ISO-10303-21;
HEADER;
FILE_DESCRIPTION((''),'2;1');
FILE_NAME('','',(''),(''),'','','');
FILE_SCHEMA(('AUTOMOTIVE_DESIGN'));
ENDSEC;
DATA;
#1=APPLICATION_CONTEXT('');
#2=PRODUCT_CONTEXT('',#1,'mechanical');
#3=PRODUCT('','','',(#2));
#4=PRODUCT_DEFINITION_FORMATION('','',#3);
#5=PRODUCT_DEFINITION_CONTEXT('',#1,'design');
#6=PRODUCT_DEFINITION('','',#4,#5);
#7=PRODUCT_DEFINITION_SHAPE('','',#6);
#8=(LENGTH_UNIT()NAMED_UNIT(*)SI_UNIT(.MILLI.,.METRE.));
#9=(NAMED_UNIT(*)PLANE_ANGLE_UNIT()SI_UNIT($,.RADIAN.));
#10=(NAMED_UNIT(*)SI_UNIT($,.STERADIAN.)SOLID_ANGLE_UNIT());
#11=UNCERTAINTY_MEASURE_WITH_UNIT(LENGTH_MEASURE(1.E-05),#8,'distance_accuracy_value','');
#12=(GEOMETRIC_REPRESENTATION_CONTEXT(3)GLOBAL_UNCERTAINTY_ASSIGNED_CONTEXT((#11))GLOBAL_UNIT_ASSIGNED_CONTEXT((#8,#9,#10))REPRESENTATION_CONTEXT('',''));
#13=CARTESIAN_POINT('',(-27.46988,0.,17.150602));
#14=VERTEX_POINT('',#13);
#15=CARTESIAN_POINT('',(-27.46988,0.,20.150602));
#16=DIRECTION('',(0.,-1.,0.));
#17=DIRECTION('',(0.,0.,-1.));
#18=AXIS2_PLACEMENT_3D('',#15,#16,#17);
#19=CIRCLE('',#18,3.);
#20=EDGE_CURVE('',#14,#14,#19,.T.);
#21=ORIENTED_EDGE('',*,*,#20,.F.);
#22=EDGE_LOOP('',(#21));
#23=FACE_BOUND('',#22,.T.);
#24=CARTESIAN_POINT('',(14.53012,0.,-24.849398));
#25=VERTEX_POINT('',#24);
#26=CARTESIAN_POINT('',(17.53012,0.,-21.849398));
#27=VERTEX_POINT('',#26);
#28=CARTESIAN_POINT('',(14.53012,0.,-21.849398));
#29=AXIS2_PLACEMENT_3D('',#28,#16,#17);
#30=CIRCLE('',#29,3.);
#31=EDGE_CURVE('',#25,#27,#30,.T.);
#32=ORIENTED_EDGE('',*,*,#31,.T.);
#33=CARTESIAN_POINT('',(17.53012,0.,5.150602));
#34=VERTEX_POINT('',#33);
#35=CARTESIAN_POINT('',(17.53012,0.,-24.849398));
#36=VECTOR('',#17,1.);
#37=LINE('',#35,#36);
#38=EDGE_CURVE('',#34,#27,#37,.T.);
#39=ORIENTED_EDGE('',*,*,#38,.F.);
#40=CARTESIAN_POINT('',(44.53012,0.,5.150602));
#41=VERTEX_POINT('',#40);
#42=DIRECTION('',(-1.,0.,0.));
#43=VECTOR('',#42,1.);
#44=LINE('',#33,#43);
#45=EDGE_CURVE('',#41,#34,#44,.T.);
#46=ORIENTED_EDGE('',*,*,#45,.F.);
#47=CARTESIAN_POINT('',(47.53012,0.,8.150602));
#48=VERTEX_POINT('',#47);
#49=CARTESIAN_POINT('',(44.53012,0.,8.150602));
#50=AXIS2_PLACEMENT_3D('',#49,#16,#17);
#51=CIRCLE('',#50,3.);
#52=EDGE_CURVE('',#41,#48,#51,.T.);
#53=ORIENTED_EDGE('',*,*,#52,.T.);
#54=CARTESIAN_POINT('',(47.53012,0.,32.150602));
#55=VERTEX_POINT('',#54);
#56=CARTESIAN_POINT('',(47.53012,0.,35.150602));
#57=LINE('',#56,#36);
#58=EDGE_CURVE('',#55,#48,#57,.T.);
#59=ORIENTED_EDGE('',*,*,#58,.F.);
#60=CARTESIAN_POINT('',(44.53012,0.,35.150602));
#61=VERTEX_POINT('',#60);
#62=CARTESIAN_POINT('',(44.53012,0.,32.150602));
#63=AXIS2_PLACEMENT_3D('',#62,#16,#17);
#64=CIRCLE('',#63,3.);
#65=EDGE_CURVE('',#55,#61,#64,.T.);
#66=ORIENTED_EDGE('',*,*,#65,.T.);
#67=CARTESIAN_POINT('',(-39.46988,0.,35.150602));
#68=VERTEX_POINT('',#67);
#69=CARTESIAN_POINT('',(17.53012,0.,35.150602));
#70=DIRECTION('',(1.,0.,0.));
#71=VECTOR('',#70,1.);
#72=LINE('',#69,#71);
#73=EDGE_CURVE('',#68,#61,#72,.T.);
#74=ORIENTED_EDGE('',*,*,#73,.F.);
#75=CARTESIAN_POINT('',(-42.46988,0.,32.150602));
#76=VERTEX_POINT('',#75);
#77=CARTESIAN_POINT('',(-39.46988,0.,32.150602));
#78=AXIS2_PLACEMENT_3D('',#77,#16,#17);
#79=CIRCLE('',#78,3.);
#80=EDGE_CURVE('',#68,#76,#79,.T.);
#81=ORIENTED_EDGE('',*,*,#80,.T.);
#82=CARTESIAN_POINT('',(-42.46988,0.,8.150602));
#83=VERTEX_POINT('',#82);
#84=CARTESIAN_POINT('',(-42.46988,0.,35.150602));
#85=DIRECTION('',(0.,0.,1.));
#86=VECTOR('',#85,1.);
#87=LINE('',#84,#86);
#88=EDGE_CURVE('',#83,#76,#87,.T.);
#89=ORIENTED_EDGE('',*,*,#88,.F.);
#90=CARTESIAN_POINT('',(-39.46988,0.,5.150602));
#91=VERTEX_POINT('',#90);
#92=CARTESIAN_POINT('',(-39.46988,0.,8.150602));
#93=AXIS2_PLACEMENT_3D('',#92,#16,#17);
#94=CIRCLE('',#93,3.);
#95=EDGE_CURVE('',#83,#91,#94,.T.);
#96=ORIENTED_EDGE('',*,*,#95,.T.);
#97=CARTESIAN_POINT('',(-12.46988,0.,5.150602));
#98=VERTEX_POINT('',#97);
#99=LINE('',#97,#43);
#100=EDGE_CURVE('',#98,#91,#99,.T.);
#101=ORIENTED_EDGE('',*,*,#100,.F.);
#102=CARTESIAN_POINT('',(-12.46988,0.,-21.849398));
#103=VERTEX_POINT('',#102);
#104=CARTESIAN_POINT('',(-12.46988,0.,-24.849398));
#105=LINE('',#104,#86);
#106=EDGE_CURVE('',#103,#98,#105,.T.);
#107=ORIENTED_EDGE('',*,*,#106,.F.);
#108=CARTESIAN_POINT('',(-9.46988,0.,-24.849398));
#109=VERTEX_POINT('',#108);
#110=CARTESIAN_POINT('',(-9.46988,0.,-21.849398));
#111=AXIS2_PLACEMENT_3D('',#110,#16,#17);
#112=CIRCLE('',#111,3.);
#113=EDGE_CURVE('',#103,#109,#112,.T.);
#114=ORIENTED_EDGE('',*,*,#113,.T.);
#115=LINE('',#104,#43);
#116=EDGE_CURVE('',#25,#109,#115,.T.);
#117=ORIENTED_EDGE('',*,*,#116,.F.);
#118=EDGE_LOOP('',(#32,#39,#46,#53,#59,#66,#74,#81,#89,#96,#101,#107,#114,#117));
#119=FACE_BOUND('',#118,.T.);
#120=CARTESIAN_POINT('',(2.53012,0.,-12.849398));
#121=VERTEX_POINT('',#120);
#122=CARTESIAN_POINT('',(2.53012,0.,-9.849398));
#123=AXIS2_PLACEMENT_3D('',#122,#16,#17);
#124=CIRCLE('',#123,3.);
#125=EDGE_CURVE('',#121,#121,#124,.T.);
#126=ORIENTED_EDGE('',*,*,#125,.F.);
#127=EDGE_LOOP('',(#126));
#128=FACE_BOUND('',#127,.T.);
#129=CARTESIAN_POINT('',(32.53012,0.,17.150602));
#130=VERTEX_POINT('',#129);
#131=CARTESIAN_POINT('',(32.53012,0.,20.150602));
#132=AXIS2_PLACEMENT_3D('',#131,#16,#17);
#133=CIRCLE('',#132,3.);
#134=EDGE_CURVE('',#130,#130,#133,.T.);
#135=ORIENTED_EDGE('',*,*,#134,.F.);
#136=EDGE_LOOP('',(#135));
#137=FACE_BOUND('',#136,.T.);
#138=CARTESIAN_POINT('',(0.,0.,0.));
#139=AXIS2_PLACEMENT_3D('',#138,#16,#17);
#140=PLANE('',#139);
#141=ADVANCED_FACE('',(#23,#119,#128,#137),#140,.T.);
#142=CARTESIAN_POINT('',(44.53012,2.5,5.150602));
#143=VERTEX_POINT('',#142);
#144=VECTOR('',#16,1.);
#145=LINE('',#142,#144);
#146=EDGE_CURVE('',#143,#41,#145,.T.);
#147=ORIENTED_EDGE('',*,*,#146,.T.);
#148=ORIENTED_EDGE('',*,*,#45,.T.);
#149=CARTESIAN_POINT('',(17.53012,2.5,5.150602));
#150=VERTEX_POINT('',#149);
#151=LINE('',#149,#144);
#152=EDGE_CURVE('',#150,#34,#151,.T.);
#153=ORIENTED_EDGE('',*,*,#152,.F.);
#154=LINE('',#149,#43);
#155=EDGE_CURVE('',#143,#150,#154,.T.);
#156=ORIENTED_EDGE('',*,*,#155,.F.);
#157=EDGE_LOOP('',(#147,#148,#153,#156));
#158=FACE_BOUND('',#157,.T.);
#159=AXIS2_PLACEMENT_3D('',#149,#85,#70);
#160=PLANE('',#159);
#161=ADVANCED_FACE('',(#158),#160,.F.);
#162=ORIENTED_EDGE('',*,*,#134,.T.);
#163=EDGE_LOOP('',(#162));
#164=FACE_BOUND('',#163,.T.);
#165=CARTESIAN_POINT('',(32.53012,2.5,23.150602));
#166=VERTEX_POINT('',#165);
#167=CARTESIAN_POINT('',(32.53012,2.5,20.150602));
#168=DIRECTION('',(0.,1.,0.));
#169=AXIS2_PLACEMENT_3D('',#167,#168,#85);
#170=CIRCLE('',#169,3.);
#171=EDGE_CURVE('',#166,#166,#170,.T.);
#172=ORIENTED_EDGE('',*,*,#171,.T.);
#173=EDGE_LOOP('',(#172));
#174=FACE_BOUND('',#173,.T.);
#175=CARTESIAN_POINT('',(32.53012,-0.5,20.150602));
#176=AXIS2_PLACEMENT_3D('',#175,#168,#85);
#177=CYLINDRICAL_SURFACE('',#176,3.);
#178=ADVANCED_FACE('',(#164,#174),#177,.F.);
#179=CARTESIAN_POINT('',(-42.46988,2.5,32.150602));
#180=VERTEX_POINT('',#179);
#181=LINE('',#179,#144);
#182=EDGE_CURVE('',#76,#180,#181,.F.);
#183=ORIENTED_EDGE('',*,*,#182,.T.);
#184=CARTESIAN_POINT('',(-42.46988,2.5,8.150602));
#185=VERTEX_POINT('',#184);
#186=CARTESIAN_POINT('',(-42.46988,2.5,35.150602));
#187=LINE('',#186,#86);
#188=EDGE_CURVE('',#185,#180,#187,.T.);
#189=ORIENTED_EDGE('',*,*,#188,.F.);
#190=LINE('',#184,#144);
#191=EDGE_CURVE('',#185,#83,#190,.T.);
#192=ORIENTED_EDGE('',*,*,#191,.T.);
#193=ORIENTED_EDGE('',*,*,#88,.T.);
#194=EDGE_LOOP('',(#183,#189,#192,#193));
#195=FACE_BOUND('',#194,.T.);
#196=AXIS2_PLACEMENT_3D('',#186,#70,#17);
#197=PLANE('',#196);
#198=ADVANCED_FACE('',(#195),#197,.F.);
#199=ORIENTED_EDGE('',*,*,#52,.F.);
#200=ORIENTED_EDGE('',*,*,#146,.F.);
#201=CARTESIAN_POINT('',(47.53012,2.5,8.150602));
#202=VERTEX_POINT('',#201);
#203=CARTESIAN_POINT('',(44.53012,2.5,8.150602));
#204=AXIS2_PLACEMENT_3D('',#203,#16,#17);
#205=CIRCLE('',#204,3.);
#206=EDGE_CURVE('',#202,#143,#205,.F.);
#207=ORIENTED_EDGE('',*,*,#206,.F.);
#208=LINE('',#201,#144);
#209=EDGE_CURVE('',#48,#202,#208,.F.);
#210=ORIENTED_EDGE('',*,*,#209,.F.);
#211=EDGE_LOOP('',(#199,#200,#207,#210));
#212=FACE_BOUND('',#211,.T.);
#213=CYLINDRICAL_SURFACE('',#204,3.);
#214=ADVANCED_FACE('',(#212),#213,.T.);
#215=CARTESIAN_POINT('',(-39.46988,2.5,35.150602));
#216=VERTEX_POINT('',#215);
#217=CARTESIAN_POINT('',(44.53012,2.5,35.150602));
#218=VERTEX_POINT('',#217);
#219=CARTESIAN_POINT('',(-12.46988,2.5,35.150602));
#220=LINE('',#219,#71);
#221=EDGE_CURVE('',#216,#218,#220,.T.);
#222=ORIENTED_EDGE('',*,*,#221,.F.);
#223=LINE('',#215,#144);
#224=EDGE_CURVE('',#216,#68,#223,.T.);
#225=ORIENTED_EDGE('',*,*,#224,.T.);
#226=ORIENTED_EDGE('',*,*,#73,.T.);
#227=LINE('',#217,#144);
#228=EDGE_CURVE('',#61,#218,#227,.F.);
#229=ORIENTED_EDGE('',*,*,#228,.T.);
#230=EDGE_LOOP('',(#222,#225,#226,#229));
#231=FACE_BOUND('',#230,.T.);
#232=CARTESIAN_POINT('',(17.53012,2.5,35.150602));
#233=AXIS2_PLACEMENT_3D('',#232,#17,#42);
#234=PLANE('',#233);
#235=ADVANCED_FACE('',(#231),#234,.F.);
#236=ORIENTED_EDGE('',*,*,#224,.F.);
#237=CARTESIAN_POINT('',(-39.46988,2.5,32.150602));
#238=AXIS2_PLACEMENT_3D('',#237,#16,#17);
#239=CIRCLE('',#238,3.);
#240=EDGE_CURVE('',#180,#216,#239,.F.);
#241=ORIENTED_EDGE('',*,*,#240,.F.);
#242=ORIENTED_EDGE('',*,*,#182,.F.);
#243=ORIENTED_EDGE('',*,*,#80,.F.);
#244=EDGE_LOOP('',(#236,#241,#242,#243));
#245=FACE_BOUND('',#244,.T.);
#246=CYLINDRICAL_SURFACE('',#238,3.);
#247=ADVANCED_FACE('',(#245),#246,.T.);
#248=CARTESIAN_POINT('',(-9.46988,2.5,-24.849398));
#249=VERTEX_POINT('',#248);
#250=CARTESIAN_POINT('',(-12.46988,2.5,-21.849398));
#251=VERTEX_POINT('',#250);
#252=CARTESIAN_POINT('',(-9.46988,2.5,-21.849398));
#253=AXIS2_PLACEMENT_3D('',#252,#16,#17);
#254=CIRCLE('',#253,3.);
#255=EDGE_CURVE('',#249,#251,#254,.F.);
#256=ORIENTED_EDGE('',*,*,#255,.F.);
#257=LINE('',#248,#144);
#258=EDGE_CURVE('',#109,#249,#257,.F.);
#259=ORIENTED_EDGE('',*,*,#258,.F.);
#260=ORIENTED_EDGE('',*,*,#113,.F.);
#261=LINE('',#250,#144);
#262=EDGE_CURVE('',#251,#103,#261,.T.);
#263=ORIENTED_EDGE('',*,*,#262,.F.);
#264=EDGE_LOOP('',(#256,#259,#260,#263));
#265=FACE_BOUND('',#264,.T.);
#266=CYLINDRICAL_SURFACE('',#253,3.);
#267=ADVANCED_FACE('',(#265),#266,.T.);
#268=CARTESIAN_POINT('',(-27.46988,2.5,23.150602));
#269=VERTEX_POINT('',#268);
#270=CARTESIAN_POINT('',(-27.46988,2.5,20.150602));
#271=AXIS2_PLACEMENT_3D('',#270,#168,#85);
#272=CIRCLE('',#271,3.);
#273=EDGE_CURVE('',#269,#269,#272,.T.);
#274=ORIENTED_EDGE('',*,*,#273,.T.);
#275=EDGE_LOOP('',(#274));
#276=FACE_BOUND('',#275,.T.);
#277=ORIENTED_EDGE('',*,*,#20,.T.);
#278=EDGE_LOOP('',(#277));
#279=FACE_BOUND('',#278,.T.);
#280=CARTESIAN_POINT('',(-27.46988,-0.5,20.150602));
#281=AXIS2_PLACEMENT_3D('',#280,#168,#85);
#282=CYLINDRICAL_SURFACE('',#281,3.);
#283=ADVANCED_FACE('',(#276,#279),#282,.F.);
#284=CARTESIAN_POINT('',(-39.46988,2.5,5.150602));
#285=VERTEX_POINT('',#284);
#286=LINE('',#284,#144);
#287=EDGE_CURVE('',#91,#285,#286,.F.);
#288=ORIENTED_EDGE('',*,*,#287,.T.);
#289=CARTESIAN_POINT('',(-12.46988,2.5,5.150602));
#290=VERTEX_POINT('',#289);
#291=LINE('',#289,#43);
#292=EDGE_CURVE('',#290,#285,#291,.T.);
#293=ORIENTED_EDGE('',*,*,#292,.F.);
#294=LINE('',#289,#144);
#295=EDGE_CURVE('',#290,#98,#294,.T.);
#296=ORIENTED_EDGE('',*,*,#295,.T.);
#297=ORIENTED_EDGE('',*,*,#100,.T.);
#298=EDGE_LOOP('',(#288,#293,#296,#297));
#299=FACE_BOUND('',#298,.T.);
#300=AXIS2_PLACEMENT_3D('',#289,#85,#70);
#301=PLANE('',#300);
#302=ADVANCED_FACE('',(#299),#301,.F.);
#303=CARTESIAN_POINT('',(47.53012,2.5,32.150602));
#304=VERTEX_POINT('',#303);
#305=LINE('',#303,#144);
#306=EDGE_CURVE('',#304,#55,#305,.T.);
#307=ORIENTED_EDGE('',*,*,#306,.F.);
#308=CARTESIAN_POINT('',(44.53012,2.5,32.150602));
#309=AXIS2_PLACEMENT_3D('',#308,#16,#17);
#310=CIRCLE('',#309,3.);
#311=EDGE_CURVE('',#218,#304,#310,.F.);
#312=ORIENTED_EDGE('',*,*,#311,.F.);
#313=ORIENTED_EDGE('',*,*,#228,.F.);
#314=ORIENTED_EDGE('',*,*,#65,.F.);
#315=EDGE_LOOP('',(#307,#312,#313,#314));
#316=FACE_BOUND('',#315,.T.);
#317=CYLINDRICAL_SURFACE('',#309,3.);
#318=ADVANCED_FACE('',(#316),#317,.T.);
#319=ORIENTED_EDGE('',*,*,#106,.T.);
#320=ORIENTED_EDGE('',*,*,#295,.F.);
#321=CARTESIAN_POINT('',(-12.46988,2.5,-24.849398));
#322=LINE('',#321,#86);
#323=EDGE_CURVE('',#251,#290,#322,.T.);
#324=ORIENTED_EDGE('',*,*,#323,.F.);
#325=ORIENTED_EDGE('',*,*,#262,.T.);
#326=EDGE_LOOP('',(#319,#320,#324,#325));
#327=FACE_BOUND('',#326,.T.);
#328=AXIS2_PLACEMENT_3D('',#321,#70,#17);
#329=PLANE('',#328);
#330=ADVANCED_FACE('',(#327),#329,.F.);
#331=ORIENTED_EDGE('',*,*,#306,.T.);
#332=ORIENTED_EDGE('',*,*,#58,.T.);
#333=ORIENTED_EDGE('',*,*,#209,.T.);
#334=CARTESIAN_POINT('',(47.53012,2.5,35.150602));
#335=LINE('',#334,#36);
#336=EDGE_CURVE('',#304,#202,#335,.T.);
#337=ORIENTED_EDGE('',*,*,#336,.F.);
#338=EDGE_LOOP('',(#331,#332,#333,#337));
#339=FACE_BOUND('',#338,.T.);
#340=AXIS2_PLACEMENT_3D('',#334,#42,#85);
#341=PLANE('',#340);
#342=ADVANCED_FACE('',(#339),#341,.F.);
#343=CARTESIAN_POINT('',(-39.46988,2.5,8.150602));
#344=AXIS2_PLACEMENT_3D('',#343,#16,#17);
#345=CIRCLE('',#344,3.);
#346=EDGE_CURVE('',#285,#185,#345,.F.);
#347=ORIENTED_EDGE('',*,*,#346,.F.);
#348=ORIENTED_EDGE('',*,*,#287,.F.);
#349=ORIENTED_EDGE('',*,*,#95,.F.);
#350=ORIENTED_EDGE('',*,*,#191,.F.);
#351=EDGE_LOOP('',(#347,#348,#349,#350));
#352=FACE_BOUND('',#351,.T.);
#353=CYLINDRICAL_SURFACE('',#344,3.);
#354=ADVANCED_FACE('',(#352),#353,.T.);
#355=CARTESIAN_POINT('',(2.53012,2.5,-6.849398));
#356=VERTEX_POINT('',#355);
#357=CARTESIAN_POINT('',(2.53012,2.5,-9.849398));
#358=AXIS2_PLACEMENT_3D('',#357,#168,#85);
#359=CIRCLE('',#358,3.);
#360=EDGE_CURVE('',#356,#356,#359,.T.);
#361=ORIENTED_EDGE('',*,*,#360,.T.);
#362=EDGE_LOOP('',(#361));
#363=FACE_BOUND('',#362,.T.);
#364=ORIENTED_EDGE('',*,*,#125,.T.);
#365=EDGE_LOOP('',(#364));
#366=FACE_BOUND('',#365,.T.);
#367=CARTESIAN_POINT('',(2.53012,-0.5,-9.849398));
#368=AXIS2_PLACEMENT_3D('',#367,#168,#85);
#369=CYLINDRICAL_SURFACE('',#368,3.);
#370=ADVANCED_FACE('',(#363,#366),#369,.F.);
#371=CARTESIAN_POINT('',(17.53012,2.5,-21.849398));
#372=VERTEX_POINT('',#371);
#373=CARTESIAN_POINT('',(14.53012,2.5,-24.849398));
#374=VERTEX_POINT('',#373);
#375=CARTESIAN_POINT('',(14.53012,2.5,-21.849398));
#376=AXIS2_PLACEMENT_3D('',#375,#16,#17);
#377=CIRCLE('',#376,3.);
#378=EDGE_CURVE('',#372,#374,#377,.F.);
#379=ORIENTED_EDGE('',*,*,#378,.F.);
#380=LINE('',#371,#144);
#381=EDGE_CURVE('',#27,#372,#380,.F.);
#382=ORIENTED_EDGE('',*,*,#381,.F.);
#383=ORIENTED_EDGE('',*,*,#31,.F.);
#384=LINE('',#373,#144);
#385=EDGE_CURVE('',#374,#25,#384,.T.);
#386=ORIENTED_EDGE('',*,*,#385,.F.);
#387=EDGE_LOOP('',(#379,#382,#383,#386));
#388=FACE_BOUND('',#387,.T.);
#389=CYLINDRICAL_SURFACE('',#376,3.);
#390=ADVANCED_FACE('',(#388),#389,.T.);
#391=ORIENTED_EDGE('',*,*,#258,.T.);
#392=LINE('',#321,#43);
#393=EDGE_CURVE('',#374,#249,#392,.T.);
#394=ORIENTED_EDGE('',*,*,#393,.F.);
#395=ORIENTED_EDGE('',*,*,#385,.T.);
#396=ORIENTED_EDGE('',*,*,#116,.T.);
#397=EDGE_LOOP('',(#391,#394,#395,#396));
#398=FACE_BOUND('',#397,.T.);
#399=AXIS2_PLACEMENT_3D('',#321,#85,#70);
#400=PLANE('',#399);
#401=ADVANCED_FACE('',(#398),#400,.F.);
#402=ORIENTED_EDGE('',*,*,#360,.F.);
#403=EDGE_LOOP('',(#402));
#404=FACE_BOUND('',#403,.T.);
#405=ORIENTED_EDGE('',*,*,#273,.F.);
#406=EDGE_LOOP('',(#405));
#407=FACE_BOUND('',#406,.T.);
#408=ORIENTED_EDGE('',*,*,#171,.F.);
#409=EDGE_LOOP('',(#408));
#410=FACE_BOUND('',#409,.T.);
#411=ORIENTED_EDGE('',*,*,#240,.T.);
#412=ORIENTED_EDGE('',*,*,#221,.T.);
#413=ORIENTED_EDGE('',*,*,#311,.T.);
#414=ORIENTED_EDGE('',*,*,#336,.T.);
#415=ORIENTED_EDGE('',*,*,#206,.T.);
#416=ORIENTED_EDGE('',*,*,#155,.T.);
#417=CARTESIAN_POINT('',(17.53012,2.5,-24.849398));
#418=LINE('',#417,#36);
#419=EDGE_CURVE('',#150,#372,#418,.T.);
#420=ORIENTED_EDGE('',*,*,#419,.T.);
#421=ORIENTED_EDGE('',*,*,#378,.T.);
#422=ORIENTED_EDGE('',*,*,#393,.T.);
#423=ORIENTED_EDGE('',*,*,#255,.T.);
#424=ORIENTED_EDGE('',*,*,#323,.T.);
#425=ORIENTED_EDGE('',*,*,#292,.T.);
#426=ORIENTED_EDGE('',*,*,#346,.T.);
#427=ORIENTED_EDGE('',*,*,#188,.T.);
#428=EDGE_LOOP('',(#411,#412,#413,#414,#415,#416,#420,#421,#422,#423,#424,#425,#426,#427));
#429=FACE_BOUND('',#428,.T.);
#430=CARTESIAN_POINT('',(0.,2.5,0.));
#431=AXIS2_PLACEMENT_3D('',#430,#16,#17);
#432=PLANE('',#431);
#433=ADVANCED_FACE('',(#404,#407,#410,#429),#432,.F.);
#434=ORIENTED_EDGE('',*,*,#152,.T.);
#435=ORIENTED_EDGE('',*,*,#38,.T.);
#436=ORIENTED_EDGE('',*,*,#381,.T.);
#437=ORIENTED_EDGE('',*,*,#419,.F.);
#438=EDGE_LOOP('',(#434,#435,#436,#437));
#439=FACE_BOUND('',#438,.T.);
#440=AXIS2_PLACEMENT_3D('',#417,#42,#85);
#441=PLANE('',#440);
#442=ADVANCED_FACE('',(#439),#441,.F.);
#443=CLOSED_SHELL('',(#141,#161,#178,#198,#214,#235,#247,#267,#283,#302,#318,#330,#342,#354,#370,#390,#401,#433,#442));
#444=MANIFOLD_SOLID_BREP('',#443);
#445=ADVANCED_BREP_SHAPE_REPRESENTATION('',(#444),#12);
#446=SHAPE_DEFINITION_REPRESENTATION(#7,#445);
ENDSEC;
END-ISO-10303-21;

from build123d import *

# Parameters (mm, degrees)
BOSS_EXTRUDE1_DEPTH = 2.5
FILLET1_R           = 3
FILLET2_R           = 3
FILLET4_R           = 3
FILLET5_R           = 3
SKETCH2_R           = 3
CUT_EXTRUDE1_DEPTH  = 3
FILLET6_R           = 3
FILLET7_R           = 3


with BuildPart() as part:
    # Sketch1 → Boss-Extrude1 (new body)
    with BuildSketch(Plane(origin=(0, 0, 0), x_dir=(1, 0, 0), z_dir=(0, 1, 0))):
        Polygon((-12.469879518, 24.84939759), (17.530120482, 24.84939759), (17.530120482, -5.15060241), (47.530120482, -5.15060241), (47.530120482, -35.15060241), (17.530120482, -35.15060241), (-12.469879518, -35.15060241), (-42.469879518, -35.15060241), (-42.469879518, -5.15060241), (-12.469879518, -5.15060241), align=None)
    extrude(amount=BOSS_EXTRUDE1_DEPTH)

    # Fillet1
    fillet1_edges = [part.edges().sort_by_distance(p)[0] for p in [
        (-42.469879518, 1.25, 5.15060241),
    ]]
    fillet(fillet1_edges, radius=FILLET1_R)

    # Fillet2
    fillet2_edges = [part.edges().sort_by_distance(p)[0] for p in [
        (-42.469879518, 1.25, 35.15060241),
    ]]
    fillet(fillet2_edges, radius=FILLET2_R)

    # Fillet4
    fillet4_edges = [part.edges().sort_by_distance(p)[0] for p in [
        (17.530120482, 1.25, -24.84939759),
    ]]
    fillet(fillet4_edges, radius=FILLET4_R)

    # Fillet5
    fillet5_edges = [part.edges().sort_by_distance(p)[0] for p in [
        (-12.469879518, 1.25, -24.84939759),
    ]]
    fillet(fillet5_edges, radius=FILLET5_R)

    # Sketch2 → Cut-Extrude1 (cut)
    with BuildSketch(Plane(origin=(0, 2.5, 0), x_dir=(1, 0, 0), z_dir=(0, 1, 0))):
        with Locations((2.530120482, 9.84939759)):
            Circle(SKETCH2_R)
        with Locations((-27.469879518, -20.15060241)):
            Circle(SKETCH2_R)
        with Locations((32.530120482, -20.15060241)):
            Circle(SKETCH2_R)
    extrude(amount=-CUT_EXTRUDE1_DEPTH, mode=Mode.SUBTRACT)

    # Fillet6
    fillet6_edges = [part.edges().sort_by_distance(p)[0] for p in [
        (47.530120482, 1.25, 35.15060241),
    ]]
    fillet(fillet6_edges, radius=FILLET6_R)

    # Fillet7
    fillet7_edges = [part.edges().sort_by_distance(p)[0] for p in [
        (47.530120482, 1.25, 5.15060241),
    ]]
    fillet(fillet7_edges, radius=FILLET7_R)


solid = part.part
